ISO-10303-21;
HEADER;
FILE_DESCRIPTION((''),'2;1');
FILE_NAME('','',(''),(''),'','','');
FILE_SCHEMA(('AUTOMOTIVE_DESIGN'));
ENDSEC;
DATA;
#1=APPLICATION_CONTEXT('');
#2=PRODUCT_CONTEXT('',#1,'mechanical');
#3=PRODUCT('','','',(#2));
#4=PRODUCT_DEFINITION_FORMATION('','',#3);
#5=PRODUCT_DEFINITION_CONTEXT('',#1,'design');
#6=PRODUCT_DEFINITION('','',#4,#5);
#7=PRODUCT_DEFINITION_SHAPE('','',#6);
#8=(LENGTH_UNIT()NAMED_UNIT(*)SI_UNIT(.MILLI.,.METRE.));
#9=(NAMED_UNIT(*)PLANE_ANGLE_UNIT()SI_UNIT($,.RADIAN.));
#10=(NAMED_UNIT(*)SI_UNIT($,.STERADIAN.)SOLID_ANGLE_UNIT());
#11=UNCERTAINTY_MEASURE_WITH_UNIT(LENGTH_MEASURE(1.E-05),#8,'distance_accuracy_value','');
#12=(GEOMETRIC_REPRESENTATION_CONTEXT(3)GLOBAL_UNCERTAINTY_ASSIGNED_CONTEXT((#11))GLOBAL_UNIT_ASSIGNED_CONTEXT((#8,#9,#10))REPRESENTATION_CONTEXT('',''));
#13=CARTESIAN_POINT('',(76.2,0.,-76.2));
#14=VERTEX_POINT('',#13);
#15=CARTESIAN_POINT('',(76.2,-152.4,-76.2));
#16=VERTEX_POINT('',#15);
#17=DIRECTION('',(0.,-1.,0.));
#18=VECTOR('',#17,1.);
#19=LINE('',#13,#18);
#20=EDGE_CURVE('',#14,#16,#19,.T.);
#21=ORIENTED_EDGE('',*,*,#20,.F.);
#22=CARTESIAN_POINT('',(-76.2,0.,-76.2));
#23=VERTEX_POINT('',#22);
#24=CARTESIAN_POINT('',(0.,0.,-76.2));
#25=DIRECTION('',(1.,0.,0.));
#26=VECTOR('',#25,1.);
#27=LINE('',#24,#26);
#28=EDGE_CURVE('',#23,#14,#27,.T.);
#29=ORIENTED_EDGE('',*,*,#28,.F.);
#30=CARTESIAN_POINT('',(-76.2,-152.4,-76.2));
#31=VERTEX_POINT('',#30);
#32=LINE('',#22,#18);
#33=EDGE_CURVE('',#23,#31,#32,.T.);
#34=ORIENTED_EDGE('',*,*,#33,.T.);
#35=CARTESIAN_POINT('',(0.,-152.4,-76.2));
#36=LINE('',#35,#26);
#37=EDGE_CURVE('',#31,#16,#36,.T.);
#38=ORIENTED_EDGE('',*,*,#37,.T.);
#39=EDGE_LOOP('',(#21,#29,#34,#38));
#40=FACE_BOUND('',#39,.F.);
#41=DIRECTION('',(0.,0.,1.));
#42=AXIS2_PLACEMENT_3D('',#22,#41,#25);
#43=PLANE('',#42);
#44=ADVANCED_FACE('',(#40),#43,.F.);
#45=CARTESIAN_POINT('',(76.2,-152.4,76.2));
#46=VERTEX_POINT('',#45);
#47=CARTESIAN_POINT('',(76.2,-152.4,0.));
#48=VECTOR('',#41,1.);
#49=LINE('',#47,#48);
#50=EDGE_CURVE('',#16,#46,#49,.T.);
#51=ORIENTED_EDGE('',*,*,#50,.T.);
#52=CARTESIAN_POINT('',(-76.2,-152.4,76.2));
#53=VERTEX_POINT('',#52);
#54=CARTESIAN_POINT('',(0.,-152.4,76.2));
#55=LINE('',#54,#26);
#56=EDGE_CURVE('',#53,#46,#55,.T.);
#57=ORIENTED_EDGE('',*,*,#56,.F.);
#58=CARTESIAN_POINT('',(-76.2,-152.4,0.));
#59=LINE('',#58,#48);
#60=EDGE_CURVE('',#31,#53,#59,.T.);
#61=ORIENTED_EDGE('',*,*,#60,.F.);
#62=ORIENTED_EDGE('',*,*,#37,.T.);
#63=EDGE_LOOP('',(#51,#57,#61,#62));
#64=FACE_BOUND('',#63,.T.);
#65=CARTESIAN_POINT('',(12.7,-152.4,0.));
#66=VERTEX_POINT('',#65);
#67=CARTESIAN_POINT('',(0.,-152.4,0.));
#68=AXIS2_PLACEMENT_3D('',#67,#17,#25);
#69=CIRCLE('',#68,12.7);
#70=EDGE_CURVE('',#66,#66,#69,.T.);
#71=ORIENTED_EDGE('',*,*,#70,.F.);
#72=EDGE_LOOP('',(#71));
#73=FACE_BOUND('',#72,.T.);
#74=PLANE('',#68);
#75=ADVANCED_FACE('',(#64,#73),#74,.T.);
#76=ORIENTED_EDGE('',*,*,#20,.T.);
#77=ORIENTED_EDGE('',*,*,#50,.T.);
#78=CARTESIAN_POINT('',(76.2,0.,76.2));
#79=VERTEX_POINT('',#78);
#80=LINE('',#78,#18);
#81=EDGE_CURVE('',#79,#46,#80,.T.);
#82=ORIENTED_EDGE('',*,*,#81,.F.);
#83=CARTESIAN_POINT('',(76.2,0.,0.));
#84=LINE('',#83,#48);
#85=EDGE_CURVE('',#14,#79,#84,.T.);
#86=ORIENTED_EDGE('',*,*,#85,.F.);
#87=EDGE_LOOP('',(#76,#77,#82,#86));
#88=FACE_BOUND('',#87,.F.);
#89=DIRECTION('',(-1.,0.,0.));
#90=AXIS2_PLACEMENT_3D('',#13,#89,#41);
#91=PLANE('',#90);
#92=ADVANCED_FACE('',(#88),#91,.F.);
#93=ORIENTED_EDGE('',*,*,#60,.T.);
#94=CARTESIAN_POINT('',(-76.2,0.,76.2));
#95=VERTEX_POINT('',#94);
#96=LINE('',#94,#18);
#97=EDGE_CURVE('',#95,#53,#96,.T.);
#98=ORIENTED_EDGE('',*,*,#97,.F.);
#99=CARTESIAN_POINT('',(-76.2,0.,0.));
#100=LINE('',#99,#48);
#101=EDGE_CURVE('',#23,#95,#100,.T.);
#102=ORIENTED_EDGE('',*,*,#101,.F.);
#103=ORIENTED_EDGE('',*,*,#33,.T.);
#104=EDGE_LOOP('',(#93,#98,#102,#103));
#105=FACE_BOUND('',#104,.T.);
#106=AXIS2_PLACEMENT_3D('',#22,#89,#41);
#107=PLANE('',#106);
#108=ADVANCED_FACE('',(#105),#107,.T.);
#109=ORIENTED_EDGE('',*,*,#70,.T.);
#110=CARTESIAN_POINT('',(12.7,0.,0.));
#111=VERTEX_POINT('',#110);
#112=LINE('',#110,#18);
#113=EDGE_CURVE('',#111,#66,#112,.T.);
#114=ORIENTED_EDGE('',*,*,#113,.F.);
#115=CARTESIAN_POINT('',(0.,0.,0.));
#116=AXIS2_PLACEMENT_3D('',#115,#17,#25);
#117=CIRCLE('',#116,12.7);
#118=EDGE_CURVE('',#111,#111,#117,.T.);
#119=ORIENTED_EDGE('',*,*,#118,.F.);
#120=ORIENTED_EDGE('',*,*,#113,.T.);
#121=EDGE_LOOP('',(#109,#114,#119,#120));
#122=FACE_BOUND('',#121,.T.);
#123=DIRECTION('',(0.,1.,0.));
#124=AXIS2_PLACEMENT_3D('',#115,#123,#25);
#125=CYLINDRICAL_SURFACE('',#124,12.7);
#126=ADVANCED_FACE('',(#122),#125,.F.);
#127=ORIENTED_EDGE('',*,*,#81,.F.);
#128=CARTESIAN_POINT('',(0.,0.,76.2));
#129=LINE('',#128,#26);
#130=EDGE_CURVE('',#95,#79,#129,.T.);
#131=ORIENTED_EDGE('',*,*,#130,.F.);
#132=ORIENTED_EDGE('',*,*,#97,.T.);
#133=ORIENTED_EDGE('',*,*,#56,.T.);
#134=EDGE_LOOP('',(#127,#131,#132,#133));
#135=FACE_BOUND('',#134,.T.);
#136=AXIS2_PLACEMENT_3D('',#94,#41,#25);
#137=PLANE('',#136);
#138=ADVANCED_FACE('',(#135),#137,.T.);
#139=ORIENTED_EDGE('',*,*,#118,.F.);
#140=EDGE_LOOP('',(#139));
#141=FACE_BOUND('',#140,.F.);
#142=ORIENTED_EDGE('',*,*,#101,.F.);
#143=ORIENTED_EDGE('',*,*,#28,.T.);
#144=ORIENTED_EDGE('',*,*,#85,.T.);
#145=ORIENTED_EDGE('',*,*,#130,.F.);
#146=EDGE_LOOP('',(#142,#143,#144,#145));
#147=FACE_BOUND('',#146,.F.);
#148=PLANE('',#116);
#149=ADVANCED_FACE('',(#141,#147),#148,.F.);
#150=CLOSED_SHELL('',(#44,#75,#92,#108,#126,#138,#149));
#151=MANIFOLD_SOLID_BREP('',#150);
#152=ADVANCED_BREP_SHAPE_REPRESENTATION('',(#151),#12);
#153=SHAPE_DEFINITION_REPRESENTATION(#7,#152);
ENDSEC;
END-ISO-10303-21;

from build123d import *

# Parameters (mm, degrees)
F0_W     = 152.4
F0_H     = 152.4
F0_R     = 12.7
F1_DEPTH = 152.4
F2_DEPTH = 152.4


with BuildPart() as f1:
    # F0 (on Front) → F1 (new body)
    with BuildSketch(Plane.XZ):
        Rectangle(F0_W, F0_H)
        Circle(F0_R, mode=Mode.SUBTRACT)
    extrude(amount=F1_DEPTH)

    # F0 (on Front) → F2 (cut)
    with BuildSketch(Plane.XZ):
        Rectangle(F0_W, F0_H)
        Circle(F0_R, mode=Mode.SUBTRACT)
    extrude(amount=-F2_DEPTH, mode=Mode.SUBTRACT)


solid = f1.part
